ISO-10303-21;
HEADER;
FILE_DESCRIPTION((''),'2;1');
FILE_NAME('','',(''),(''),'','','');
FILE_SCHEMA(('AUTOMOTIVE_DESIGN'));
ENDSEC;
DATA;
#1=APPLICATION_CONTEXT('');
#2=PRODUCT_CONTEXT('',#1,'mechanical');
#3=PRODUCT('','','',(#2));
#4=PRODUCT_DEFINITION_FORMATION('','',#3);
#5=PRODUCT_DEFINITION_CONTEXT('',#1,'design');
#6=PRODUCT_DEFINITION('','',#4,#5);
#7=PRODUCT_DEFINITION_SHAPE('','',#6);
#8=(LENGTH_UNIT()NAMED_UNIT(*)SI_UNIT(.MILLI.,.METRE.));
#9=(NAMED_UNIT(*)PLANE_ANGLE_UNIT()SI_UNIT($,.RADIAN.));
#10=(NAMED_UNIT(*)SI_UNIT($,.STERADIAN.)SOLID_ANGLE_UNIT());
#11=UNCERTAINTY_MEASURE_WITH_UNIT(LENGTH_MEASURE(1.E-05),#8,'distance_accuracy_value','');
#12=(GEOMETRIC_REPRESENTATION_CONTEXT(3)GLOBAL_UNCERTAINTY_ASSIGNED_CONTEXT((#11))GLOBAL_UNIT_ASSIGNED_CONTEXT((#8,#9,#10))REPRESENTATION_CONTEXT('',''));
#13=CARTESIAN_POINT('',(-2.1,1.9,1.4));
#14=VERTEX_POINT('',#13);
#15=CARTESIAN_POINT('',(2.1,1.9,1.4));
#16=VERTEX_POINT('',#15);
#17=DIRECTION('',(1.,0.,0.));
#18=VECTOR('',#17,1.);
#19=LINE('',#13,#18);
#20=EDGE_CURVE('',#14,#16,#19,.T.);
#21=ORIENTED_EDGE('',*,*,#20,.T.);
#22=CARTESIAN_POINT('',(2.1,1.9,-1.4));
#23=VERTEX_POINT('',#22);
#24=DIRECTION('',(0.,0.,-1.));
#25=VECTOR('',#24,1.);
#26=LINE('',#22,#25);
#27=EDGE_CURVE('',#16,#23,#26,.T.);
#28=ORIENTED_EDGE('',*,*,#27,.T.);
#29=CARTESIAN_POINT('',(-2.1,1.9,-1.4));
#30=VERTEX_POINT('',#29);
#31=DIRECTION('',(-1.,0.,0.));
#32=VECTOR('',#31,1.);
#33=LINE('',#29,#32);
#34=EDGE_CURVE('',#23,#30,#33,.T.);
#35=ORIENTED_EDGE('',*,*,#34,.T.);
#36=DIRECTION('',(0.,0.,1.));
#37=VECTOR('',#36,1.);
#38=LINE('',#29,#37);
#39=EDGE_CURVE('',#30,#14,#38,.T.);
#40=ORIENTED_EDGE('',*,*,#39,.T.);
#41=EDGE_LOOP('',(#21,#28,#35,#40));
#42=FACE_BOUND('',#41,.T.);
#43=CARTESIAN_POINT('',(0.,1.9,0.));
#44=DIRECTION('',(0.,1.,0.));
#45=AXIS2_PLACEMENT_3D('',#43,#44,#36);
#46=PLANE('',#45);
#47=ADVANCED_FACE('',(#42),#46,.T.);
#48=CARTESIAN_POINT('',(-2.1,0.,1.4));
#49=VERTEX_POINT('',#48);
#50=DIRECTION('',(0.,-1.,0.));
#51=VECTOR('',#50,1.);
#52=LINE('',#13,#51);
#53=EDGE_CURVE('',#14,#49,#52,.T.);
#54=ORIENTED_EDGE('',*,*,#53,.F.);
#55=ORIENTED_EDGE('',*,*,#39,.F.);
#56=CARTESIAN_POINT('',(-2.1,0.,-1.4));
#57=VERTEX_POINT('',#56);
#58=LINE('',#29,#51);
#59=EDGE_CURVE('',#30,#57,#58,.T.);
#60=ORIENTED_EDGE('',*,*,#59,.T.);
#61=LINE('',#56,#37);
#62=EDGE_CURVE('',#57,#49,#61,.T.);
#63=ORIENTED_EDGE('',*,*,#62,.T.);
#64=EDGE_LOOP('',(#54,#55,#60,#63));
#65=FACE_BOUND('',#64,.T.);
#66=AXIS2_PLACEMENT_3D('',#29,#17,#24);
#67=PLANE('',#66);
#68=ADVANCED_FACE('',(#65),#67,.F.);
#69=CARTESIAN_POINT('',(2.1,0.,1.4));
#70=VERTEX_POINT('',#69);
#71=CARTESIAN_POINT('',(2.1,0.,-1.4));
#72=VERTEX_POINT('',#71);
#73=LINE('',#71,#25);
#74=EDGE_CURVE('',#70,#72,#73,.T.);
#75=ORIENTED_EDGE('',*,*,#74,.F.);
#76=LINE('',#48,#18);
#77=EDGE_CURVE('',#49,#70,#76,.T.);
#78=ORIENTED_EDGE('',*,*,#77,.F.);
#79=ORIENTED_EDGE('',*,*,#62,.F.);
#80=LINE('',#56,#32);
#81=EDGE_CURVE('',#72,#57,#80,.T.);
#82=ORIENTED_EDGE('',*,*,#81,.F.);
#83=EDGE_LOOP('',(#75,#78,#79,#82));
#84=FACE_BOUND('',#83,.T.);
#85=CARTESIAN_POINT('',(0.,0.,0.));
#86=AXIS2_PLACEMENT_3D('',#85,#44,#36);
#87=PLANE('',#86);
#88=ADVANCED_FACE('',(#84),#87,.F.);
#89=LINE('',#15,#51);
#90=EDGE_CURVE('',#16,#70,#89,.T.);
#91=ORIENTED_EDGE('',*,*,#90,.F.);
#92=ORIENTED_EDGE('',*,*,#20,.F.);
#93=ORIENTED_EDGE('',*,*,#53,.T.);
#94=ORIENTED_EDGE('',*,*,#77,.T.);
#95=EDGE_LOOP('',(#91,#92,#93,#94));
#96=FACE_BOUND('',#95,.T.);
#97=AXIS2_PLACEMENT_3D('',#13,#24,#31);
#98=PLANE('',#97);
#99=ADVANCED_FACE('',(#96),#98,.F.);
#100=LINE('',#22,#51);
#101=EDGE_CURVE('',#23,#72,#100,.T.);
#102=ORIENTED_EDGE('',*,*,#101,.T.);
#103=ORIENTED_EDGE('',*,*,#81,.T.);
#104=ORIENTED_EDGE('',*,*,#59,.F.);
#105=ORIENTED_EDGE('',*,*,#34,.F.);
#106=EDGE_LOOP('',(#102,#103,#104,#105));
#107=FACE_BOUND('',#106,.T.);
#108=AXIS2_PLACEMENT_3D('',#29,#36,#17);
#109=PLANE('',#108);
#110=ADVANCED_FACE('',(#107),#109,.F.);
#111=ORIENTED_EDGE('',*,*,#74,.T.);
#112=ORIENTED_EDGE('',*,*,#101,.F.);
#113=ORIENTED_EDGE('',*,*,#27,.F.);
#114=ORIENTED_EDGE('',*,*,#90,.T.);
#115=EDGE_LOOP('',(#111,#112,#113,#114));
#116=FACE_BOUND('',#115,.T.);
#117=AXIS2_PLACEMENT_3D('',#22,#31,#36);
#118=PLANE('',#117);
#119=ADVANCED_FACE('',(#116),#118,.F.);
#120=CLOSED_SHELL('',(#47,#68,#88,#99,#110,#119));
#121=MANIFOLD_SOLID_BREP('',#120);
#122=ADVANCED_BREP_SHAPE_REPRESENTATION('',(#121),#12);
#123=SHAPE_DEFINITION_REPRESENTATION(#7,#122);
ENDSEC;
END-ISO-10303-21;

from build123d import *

# Parameters (mm, degrees)
SKETCH_1_W      = 4.2
SKETCH_1_H      = 2.8
EXTRUDE_1_DEPTH = 1.9


with BuildPart() as part:
    # Эскиз1 → Бобышка-Вытянуть1 (new body)
    with BuildSketch(Plane(origin=(0, 0, 0), x_dir=(1, 0, 0), z_dir=(0, 1, 0))):
        Rectangle(SKETCH_1_W, SKETCH_1_H)
    extrude(amount=EXTRUDE_1_DEPTH)


solid = part.part
